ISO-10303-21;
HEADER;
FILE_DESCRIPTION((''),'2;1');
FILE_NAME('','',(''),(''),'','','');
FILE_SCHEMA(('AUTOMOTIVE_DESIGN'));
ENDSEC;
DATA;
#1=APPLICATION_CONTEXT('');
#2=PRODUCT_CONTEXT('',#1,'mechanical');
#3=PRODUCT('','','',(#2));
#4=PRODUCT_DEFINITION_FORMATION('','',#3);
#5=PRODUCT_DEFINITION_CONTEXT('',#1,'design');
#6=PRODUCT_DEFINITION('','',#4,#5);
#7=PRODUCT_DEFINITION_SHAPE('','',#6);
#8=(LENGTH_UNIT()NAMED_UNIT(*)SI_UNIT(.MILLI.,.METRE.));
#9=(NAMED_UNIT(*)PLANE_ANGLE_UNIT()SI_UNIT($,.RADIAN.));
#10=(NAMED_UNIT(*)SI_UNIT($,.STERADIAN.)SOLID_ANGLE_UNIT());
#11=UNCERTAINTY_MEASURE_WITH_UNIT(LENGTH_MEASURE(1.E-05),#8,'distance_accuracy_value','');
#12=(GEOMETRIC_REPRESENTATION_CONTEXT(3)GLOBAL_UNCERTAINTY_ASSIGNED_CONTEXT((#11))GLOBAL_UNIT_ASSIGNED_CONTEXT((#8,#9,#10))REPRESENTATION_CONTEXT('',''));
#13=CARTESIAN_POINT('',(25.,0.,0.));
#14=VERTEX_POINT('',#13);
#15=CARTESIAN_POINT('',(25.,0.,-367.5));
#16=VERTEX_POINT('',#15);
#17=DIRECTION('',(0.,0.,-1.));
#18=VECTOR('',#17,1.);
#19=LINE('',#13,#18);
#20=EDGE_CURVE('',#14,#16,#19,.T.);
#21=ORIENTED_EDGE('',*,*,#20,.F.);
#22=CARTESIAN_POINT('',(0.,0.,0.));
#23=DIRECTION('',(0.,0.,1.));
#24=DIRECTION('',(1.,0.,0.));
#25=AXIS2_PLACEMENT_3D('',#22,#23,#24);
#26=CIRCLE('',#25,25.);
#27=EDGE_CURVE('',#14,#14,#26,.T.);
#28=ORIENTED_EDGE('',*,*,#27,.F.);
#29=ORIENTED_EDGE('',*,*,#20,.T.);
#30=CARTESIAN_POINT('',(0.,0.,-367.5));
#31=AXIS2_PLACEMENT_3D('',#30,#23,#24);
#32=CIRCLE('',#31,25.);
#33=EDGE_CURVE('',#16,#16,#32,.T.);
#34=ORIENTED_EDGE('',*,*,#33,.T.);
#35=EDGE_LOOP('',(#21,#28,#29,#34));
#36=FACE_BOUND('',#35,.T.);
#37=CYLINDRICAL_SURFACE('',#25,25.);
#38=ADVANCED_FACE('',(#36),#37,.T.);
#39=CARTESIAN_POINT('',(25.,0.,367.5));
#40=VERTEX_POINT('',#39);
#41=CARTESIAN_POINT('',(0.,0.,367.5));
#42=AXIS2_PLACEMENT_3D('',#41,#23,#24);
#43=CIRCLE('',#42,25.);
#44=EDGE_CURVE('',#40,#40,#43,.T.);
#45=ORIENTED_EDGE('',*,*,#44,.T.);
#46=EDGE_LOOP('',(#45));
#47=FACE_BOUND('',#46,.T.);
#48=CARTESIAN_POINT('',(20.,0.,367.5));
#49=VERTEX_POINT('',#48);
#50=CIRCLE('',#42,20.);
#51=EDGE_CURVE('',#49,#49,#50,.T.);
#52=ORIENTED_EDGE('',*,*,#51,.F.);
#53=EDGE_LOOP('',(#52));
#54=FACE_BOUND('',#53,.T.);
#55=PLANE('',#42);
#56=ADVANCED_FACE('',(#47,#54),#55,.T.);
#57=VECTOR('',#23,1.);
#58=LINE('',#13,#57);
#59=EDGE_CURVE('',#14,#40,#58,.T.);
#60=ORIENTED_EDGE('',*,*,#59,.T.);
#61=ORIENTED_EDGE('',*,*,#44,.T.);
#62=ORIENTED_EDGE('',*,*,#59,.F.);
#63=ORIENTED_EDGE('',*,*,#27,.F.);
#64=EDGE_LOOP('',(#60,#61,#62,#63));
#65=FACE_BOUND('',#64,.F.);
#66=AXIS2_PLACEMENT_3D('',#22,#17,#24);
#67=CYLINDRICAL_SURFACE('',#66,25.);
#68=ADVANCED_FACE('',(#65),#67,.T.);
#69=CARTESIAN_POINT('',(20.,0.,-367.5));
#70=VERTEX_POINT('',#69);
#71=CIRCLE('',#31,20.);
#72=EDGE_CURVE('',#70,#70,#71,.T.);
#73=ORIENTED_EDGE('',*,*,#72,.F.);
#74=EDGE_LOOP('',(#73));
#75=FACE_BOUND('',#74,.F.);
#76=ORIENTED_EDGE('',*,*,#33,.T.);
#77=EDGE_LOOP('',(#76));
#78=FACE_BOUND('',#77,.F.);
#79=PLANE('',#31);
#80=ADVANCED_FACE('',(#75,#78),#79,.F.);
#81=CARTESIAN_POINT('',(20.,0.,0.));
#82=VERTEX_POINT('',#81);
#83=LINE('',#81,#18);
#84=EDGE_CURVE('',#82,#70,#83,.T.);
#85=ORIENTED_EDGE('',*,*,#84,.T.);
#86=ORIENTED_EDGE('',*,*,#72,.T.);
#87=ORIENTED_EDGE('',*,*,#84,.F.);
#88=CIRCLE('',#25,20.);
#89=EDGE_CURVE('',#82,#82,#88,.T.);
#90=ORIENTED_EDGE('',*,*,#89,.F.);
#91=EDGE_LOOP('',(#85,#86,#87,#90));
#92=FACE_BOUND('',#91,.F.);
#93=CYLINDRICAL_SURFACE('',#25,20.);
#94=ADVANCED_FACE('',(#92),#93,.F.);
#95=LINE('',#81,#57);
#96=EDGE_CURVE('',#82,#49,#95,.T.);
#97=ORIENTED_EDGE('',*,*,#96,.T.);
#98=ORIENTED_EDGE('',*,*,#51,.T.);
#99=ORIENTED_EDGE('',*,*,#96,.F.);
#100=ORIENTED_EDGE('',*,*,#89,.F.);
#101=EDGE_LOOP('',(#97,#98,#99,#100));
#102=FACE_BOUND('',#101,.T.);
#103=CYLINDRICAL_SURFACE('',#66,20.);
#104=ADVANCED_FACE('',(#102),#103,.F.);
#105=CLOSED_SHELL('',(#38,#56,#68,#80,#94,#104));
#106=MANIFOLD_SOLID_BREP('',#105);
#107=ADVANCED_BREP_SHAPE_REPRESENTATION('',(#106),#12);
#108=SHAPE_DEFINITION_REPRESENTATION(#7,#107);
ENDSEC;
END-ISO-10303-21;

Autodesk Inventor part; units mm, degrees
sketch "Sketch1" plane through (0, 0, 0) normal (0, 0, 1) x (1, 0, 0)
  circle A0 centre (0, 0) radius 25
  circle A1 centre (0, 0) radius 20
  dimension "d2" = 50
  dimension "d6" = 5
extrude "Extrusion2" add sketch "Sketch1" along normal mid plane 735
properties part number "Sessao_02_04_001_001" material "Aluminum 6061"
